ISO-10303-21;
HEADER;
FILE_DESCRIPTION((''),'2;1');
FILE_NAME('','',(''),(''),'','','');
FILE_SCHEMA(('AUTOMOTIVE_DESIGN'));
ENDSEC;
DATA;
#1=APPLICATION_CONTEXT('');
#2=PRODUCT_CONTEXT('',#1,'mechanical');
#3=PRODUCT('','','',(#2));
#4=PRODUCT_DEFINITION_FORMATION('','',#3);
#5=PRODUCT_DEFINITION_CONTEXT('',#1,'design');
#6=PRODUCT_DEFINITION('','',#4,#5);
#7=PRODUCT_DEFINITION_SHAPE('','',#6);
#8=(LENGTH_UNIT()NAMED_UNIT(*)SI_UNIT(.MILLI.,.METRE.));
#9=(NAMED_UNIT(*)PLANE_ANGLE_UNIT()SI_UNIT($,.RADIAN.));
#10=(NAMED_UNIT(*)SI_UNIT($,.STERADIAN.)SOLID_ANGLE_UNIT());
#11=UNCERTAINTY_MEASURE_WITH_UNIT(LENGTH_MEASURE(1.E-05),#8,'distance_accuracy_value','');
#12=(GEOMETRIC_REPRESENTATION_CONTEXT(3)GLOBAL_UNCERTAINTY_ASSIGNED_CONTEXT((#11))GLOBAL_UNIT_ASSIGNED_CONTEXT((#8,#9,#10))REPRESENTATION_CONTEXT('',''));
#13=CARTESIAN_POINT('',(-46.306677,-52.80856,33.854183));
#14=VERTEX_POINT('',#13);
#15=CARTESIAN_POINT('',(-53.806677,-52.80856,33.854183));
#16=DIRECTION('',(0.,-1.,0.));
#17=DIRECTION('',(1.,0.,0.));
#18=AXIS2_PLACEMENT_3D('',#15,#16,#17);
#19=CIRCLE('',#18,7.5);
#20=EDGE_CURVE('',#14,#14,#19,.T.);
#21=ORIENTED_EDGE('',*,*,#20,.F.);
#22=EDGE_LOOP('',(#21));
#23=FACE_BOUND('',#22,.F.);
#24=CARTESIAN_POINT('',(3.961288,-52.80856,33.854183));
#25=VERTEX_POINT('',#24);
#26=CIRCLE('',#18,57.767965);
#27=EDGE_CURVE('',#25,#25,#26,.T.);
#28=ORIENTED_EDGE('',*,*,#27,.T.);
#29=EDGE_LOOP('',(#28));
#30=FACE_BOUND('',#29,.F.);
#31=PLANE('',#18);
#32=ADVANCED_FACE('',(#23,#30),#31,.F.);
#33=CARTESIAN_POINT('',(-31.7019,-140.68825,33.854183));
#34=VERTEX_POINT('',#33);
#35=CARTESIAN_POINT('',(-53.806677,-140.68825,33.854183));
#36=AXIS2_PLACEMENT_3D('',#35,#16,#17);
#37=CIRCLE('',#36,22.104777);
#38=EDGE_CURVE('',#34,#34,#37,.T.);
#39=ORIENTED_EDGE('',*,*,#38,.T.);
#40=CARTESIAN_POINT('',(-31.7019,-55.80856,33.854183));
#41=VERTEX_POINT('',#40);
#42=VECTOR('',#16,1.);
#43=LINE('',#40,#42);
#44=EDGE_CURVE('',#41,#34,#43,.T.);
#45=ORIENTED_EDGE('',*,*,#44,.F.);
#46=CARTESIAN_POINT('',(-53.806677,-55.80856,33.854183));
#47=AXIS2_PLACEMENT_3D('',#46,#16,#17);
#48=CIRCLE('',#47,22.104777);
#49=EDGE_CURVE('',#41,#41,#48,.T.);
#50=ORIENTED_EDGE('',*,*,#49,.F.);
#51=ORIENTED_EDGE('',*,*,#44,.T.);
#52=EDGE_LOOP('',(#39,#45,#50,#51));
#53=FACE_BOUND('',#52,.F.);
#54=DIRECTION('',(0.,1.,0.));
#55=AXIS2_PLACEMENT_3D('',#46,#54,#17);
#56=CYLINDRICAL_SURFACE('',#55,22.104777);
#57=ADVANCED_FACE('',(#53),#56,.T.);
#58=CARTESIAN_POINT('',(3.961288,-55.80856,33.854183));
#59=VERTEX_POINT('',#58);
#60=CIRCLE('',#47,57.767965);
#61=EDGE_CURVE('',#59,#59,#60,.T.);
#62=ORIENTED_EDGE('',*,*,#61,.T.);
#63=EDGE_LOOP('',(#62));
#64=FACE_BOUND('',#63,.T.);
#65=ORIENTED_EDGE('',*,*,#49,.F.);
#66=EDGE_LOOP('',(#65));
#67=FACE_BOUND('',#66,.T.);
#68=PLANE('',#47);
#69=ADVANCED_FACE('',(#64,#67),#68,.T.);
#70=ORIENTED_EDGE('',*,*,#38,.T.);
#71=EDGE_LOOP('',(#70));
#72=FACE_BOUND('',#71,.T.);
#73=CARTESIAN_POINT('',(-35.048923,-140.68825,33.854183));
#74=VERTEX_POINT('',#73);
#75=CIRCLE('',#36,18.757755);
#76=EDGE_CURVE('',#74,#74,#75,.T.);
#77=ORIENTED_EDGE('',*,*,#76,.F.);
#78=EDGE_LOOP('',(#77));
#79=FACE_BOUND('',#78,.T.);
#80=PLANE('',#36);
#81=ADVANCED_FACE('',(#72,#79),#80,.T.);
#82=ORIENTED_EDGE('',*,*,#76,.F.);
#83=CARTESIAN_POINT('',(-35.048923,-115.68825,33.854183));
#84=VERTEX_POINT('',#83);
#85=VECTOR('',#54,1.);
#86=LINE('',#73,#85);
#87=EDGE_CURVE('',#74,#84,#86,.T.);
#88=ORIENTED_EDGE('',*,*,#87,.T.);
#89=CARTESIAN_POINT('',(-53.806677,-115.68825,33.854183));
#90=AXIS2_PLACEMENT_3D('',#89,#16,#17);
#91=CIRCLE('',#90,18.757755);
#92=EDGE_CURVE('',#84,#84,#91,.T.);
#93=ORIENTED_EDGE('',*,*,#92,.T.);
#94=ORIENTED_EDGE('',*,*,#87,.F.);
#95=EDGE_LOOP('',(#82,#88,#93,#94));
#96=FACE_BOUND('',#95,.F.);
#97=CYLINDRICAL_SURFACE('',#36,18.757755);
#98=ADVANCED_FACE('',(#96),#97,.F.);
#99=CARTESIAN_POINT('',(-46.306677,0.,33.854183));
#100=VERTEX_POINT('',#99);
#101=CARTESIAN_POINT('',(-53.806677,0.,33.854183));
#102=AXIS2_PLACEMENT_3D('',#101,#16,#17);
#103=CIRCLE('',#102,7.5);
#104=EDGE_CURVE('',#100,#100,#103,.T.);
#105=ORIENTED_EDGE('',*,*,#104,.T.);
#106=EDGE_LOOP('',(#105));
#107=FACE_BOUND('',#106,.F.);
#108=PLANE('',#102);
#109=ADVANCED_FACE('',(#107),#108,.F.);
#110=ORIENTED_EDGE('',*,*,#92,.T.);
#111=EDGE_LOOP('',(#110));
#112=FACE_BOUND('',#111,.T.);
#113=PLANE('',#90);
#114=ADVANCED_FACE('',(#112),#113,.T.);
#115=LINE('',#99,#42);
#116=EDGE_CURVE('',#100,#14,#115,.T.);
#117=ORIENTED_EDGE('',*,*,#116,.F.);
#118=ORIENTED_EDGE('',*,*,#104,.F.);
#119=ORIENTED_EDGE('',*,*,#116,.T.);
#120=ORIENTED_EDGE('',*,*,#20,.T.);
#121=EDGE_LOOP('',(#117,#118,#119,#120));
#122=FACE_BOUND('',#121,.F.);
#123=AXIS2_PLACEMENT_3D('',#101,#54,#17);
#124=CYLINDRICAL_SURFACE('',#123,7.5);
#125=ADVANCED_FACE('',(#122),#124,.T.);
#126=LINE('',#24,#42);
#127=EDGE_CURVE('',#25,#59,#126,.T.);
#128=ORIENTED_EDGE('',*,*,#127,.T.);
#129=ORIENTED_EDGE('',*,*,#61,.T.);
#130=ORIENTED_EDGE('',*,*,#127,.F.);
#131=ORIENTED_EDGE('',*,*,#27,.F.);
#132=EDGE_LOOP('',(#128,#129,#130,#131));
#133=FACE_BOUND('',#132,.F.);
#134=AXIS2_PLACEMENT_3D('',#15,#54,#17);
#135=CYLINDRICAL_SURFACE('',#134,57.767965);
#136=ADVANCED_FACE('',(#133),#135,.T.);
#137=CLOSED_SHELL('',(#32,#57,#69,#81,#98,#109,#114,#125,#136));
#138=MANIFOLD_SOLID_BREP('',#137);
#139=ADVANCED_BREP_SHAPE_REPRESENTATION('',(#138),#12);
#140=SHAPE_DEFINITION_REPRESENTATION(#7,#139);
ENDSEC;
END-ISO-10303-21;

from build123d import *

# Parameters (mm, degrees)
F0_R     = 7.5
F1_DEPTH = 52.80856
F2_R     = 57.7679652565
F2_R_2   = 7.5
F3_DEPTH = 3
F4_R     = 22.1047770768
F5_DEPTH = 84.87969
F6_R     = 18.757754514
F7_DEPTH = 25


with BuildPart() as f1:
    # F0 (on Front) → F1 (new body)
    with BuildSketch(Plane.XZ):
        with Locations((-53.8066774607, 33.8541828096)):
            Circle(F0_R)
    extrude(amount=F1_DEPTH)

    # F2 (on face) → F3 (join)
    with BuildSketch(Plane.XZ.offset(52.80856)):
        with Locations((-53.8066774607, 33.8541828096)):
            Circle(F2_R)
        with Locations((-53.8066774607, 33.8541828096)):
            Circle(F2_R_2, mode=Mode.SUBTRACT)
        with Locations((-53.8066774607, 33.8541828096)):
            Circle(F2_R)
    extrude(amount=F3_DEPTH)

    # F4 (on face) → F5 (join)
    with BuildSketch(Plane.XZ.offset(55.80856)):
        with Locations((-53.8066774607, 33.8541828096)):
            Circle(F4_R)
    extrude(amount=F5_DEPTH)

    # F6 (on face) → F7 (cut)
    with BuildSketch(Plane.XZ.offset(140.68825)):
        with Locations((-53.8066774607, 33.8541828096)):
            Circle(F6_R)
    extrude(amount=-F7_DEPTH, mode=Mode.SUBTRACT)


solid = f1.part
